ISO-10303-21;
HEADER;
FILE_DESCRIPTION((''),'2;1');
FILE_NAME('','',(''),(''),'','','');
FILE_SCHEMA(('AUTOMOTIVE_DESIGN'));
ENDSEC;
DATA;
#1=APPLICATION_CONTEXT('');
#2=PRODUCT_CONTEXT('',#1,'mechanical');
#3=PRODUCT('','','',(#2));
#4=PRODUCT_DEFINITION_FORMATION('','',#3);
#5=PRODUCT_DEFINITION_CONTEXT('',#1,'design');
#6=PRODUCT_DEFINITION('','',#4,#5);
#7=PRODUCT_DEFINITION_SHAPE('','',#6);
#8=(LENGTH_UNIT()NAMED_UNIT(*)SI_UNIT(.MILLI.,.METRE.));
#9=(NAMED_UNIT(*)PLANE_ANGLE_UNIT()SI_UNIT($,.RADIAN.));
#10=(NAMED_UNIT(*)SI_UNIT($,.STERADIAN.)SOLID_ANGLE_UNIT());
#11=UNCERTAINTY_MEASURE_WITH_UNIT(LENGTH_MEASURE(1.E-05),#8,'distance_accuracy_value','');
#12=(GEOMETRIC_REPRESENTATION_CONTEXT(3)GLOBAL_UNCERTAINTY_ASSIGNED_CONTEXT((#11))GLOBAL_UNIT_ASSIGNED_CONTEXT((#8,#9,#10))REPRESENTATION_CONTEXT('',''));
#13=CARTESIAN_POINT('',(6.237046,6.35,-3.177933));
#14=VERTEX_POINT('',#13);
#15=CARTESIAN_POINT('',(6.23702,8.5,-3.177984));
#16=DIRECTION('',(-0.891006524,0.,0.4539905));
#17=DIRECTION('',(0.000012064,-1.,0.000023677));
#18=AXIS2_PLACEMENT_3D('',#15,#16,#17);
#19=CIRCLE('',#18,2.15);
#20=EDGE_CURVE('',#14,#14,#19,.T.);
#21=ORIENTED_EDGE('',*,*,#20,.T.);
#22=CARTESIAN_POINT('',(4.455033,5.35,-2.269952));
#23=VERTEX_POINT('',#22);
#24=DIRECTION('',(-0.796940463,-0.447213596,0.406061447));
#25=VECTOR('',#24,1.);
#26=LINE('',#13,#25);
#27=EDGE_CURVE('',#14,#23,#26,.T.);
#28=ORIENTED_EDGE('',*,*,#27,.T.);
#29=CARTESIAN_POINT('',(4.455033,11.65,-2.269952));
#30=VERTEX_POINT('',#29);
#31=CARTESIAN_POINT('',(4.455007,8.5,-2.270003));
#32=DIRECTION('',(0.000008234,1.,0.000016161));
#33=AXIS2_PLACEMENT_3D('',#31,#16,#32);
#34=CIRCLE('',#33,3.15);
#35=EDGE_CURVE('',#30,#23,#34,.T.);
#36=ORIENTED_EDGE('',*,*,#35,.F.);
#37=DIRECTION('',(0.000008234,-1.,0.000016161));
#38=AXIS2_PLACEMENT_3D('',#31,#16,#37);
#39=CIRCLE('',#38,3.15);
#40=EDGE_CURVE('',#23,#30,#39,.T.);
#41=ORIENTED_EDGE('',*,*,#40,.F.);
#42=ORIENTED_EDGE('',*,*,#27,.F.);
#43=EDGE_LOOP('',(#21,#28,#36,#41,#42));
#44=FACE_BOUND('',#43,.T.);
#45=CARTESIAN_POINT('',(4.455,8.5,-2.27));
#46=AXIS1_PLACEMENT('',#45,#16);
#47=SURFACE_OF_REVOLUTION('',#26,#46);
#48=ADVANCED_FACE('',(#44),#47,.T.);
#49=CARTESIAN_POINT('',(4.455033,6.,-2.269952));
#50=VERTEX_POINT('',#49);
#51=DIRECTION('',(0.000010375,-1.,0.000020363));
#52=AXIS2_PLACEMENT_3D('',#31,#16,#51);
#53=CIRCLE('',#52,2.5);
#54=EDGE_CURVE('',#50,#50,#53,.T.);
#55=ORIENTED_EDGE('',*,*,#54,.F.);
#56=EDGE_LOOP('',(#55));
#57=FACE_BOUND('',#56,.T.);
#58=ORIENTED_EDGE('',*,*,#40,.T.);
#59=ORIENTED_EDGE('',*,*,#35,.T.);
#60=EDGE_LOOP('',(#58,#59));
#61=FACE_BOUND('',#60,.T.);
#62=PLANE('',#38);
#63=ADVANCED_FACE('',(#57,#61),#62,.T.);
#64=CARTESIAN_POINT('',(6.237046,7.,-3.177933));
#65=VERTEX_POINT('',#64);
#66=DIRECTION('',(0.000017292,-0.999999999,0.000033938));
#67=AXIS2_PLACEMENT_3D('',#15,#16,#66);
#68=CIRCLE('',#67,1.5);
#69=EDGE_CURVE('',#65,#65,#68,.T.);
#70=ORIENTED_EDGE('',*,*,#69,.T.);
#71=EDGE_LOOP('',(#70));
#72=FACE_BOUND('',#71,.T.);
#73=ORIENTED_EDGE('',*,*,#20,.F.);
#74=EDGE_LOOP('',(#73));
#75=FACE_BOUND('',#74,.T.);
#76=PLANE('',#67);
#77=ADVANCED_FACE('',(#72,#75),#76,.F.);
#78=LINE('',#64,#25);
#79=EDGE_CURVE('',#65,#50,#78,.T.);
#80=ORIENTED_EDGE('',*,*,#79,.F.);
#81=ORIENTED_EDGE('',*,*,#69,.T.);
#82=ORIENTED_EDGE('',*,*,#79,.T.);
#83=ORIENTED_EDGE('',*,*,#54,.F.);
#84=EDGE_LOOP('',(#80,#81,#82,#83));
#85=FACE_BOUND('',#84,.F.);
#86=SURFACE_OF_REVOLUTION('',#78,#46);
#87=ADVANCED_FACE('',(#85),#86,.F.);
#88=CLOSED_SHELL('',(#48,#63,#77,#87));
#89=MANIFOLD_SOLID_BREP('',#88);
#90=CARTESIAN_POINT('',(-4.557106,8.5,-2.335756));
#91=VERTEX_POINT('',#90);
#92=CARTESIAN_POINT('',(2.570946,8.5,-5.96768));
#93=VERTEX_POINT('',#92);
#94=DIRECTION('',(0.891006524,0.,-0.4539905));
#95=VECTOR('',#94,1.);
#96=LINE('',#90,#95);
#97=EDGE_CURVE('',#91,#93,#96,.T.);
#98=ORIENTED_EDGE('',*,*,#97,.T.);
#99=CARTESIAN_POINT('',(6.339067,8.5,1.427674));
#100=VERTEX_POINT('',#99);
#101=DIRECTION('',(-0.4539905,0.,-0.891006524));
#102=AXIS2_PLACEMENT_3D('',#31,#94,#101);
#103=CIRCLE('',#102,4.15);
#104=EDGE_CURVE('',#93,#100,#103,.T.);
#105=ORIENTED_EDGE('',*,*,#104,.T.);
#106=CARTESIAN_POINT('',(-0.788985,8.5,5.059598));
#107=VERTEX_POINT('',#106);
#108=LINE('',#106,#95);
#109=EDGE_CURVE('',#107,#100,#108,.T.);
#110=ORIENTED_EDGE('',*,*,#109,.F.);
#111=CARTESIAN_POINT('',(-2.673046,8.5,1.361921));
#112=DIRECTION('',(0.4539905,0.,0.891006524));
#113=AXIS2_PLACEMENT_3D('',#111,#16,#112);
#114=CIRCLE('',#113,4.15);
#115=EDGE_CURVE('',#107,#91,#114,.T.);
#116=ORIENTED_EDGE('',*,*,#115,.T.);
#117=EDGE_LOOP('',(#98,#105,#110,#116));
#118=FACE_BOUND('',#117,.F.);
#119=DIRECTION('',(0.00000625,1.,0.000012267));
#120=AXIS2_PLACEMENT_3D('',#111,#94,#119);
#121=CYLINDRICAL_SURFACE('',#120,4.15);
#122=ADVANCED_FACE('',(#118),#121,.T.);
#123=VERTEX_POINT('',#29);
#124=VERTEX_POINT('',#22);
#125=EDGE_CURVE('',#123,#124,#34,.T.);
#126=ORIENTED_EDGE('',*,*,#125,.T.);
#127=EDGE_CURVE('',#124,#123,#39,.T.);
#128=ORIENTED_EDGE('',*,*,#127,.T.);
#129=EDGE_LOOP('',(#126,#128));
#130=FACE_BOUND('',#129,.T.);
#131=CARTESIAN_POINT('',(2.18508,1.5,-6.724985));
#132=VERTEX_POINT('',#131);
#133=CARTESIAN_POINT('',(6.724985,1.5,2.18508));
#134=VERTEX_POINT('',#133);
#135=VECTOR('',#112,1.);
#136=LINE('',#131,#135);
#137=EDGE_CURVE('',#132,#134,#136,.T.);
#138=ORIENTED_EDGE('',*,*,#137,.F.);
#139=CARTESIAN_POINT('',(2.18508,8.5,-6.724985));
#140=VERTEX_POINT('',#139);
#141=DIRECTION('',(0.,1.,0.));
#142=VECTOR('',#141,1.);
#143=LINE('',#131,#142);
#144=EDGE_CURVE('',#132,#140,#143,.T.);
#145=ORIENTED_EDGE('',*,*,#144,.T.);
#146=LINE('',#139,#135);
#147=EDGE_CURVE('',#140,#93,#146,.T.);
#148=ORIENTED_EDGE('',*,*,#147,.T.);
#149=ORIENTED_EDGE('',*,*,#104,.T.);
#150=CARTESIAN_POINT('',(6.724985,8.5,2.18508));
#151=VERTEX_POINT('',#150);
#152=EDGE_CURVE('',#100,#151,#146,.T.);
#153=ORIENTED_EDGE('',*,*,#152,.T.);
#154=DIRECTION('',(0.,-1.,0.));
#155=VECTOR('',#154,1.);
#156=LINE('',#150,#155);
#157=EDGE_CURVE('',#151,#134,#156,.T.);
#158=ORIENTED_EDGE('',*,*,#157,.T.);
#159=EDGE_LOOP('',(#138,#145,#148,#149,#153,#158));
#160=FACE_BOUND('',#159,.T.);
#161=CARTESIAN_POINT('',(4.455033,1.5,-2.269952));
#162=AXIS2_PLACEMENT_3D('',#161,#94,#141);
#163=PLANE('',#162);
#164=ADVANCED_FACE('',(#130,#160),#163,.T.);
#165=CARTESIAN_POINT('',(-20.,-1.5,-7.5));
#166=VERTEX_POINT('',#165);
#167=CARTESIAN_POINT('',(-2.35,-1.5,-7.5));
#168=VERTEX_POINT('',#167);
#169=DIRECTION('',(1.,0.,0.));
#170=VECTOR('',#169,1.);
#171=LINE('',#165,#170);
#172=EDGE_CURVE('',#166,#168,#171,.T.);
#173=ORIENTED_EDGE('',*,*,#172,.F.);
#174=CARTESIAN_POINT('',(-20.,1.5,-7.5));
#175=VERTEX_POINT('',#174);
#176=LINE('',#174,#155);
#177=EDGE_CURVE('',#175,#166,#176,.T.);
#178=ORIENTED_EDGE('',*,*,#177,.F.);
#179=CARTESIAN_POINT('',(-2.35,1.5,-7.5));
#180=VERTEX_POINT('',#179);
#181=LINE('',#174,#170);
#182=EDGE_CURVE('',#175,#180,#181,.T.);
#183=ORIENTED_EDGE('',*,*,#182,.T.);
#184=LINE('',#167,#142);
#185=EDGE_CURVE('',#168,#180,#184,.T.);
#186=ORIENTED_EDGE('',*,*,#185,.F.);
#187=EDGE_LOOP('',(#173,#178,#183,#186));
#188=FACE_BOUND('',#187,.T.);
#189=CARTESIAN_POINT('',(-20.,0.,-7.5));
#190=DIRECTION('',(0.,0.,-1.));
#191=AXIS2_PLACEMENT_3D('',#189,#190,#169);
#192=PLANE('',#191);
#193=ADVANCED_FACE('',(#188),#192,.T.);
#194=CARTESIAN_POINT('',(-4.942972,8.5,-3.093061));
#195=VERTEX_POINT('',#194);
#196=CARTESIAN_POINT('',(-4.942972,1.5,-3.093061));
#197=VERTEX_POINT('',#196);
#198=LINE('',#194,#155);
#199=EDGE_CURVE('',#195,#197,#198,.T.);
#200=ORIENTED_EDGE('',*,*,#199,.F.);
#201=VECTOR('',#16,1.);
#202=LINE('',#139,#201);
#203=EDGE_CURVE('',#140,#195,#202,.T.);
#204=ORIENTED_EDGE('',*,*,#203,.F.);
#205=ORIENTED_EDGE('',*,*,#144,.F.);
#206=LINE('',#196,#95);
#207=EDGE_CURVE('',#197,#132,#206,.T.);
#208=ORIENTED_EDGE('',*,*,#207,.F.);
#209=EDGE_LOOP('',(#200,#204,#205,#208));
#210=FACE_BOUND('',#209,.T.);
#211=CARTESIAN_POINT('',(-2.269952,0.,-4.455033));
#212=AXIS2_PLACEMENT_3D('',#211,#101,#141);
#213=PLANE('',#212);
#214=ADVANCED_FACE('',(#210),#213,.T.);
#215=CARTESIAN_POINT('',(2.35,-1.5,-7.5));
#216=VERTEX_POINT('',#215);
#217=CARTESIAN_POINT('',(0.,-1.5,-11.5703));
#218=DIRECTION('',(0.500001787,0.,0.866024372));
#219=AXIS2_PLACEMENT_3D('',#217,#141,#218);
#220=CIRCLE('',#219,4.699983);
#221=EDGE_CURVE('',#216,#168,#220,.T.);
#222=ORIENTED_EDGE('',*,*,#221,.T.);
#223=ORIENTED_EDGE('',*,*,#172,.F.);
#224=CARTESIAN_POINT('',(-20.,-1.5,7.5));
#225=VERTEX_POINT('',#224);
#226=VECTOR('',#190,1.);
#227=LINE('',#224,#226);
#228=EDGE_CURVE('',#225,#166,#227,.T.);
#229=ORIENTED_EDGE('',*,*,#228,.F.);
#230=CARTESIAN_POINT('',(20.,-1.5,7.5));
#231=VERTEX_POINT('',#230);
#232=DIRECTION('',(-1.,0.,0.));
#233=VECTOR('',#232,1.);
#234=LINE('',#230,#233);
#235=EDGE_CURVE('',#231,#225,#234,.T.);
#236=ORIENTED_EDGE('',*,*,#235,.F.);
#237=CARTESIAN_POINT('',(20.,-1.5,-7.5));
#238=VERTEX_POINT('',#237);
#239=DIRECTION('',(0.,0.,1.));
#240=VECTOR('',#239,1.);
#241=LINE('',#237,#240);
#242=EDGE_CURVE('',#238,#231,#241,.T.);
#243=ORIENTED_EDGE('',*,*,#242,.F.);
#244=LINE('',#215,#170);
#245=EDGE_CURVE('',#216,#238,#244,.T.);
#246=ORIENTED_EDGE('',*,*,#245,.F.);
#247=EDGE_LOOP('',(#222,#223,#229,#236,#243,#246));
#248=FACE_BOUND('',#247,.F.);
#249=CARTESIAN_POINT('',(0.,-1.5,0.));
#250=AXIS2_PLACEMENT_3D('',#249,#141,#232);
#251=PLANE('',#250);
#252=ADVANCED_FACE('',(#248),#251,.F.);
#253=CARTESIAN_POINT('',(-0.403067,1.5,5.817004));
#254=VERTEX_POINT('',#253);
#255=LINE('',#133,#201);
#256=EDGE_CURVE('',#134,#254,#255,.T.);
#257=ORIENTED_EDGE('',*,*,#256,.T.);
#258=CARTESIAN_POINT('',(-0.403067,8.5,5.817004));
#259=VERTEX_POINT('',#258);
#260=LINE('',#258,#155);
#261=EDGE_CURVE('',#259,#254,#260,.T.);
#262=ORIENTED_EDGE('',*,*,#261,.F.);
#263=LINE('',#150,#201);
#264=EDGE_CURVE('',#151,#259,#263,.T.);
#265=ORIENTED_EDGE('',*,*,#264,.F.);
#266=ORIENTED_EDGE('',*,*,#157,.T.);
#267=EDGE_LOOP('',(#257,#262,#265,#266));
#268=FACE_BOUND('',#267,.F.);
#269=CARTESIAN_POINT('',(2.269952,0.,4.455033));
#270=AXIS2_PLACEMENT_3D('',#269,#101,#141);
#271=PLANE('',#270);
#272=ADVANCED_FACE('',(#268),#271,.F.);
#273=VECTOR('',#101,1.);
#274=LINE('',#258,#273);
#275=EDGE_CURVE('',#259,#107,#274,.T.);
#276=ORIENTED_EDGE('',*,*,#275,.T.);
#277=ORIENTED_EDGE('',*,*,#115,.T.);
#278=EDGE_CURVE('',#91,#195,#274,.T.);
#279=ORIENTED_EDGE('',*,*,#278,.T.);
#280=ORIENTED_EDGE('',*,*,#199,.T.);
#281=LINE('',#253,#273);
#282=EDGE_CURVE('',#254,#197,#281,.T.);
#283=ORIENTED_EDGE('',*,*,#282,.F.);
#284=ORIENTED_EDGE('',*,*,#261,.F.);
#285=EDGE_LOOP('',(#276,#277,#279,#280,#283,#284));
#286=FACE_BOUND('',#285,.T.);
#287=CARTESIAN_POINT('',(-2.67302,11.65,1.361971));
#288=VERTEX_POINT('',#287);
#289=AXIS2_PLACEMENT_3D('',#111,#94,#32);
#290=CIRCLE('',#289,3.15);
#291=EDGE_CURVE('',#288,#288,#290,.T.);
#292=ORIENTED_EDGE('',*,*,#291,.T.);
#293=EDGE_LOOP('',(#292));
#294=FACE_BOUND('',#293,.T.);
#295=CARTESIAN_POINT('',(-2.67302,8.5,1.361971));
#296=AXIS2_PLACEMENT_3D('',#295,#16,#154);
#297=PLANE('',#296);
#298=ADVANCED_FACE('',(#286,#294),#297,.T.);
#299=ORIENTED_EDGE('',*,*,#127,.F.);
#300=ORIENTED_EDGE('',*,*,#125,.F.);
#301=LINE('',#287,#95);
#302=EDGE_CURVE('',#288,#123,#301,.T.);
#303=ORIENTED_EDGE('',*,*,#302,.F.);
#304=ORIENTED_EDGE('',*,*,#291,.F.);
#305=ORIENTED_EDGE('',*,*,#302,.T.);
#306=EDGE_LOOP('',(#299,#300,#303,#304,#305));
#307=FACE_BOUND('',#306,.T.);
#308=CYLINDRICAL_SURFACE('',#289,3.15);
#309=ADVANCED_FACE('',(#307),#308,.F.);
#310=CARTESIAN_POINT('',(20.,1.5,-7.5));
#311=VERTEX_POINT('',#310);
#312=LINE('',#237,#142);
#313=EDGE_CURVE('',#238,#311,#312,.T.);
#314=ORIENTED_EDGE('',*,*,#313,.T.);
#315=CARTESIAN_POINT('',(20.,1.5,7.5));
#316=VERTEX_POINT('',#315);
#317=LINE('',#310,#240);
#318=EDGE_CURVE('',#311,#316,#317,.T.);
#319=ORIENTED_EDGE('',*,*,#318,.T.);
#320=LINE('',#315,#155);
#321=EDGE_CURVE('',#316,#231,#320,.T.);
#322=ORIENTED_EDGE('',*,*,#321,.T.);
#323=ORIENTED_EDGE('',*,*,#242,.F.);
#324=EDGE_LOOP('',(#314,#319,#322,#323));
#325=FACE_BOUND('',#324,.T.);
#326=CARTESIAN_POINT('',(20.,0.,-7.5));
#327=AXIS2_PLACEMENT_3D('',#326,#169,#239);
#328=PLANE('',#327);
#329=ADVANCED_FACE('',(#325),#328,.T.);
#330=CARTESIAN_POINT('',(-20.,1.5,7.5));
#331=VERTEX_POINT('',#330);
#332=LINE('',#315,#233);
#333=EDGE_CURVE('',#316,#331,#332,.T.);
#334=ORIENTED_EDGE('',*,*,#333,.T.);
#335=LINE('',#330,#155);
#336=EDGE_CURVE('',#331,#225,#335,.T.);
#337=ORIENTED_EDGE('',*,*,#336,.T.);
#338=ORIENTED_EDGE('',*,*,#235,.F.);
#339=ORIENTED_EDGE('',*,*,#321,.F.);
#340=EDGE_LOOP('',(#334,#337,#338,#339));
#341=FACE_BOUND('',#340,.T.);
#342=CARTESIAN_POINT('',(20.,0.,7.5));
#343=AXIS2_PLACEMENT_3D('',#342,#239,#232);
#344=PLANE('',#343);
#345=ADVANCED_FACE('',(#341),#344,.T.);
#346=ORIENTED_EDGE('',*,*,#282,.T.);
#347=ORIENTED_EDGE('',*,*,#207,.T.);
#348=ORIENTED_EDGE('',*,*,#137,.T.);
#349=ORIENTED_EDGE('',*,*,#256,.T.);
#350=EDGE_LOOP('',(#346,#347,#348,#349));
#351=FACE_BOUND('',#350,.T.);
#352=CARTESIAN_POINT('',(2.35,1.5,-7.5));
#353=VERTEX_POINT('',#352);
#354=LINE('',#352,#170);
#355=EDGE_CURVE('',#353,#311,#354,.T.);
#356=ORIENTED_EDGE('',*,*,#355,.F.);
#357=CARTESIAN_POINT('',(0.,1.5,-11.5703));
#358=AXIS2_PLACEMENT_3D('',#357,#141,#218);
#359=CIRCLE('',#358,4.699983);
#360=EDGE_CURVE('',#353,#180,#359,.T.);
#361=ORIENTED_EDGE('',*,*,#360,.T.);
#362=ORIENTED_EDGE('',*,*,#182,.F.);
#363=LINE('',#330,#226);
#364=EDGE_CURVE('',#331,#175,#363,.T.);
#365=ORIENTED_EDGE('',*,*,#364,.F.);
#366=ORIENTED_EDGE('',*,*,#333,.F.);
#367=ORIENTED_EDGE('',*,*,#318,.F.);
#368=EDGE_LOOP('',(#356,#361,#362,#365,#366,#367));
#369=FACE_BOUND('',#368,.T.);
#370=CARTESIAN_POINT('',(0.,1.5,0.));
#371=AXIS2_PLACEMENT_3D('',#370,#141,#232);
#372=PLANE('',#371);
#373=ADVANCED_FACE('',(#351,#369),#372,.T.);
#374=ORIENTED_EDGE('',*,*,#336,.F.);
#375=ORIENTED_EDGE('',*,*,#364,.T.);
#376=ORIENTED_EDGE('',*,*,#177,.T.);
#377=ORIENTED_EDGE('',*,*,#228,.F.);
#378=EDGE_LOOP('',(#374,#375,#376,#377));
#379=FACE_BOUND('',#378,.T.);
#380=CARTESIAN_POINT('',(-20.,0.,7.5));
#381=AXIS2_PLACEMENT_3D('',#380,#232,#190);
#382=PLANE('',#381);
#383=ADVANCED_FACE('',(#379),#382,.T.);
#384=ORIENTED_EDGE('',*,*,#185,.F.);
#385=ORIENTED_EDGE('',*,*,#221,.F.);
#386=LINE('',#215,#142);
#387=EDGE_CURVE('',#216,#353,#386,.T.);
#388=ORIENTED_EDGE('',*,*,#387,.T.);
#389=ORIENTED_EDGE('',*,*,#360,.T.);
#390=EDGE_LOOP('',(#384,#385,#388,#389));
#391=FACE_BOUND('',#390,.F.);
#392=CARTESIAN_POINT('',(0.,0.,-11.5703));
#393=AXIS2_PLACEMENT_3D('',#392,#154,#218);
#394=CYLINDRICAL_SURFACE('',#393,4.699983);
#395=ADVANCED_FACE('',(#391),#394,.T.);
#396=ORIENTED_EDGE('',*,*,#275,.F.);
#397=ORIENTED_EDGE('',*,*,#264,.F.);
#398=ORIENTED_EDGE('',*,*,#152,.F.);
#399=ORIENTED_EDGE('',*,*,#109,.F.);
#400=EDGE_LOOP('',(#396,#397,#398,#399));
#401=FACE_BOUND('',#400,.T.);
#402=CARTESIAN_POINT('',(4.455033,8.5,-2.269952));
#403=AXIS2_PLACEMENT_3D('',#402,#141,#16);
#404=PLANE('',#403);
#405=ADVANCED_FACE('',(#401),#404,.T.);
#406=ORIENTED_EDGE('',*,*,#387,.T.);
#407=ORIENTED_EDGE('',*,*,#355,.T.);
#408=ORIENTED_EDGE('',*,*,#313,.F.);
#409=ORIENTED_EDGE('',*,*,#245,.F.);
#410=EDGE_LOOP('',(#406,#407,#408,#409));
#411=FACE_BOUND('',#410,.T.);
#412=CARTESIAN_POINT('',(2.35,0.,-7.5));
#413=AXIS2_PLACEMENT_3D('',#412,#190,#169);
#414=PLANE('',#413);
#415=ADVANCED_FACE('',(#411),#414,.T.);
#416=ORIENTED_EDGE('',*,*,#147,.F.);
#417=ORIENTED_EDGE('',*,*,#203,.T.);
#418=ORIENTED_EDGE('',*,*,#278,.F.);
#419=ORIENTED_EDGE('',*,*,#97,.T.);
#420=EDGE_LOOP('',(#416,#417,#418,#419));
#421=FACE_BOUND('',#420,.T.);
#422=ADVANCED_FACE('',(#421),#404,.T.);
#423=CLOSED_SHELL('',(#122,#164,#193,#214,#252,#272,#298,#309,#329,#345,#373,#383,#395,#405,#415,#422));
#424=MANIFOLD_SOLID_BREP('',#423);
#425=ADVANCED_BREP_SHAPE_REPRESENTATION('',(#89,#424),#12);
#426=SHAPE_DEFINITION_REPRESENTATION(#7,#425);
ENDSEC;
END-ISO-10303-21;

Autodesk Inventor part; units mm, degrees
ref_plane "XZ Plane" through (0, 0, 0) normal (0, 1, 0) x (-1, 0, 0)
ref_plane "XY Plane" through (0, 0, 0) normal (0, 0, 1) x (1, 0, 0)
sketch "Sketch2" plane through (0, 0, 0) normal (0, 1, 0) x (-1, 0, 0)
  line L0 (-20, -7.5) -> (-20, 7.5)
  line L1 (-20, 7.5) -> (20, 7.5)
  line L2 (20, 7.5) -> (20, -7.5)
  arc A0 (-2.35, -7.5) -> (2.35, -7.5) centre (0, -11.5703) ccw
  line L3 (20, -7.5) -> (2.35, -7.5)
  line L4 (-2.35, -7.5) -> (-20, -7.5)
  point P0 (0, 0)
  point P1 (0, -7.5)
  point P2 (-20, 0)
  point P3 (0, -16.2703)
  dimension "d1" = 40
  dimension "d3" = 15
  dimension "d5" = 4.7
  dimension "d6" = 4.7
extrude "Extrusion1" add sketch "Sketch2" along normal mid plane 3
ref_plane "Work Plane1" through (0, 0, 0) normal (-0.454, 0, -0.891) x (0, 1, 0)
sketch "Sketch3" plane through (0, 0, 0) normal (-0.454, 0, -0.891) x (0, 1, 0)
  line L0 (1.5, 1.3111) -> (1.5, -14.4152) projected
  line L1 (8.5, -3) -> (1.5, -3)
  line L2 (1.5, -3) -> (1.5, 5)
  line L3 (1.5, 5) -> (8.5, 5)
  line L4 (8.5, 5) -> (8.5, -3)
  line L5 (8.5, 1) -> (1.5, 1) construction
  line L6 (6.35, 7) -> (7.35, 9) construction
  line L7 (7, 7) -> (8, 9) construction
  line L8 (8, 9) -> (7.35, 9) construction
  line L9 (7, 7) -> (6.35, 7)
  line L10 (8.5, -3) -> (11.65, -3)
  line L11 (11.65, -3) -> (11.65, 5)
  line L12 (11.65, 5) -> (8.5, 5)
  line L13 (7, 7) -> (6, 5)
  line L14 (6.35, 7) -> (5.35, 5)
  line L15 (8.5, -3) -> (12.65, -3)
  line L16 (12.65, -3) -> (12.65, 5)
  line L17 (12.65, 5) -> (8.5, 5)
  point P0 (0, 0)
  point P1 (5, 1)
  point P2 (1.5, -3)
  dimension "d10" = 8
  dimension "d11" = 7
  dimension "d15" = 4
  dimension "d16" = 1
  dimension "d17" = 2.3
  dimension "d18" = 6.3
  dimension "d19" = 6.3
  dimension "d22" = 8.3
  dimension "d25" = 1
extrude "Extrusion2" add sketch "Sketch3" along normal mid plane 10 contours L2 L3 L4 L1 L0
revolve "Revolution1" cut sketch "Sketch3" angle 360 about axis through (4.455, 8.5, -2.27) along (-0.891, 0, 0.454) contours L4 L12 L11 L10
revolve "Revolution2" add sketch "Sketch3" angle 360 about axis through (4.455, 8.5, -2.27) along (-0.891, 0, 0.454) contours L14 L9 L13 L3 | L11 L17 L16 L15
equation "\"d19\" = d18"
properties part number "Nozzle Fixer"
